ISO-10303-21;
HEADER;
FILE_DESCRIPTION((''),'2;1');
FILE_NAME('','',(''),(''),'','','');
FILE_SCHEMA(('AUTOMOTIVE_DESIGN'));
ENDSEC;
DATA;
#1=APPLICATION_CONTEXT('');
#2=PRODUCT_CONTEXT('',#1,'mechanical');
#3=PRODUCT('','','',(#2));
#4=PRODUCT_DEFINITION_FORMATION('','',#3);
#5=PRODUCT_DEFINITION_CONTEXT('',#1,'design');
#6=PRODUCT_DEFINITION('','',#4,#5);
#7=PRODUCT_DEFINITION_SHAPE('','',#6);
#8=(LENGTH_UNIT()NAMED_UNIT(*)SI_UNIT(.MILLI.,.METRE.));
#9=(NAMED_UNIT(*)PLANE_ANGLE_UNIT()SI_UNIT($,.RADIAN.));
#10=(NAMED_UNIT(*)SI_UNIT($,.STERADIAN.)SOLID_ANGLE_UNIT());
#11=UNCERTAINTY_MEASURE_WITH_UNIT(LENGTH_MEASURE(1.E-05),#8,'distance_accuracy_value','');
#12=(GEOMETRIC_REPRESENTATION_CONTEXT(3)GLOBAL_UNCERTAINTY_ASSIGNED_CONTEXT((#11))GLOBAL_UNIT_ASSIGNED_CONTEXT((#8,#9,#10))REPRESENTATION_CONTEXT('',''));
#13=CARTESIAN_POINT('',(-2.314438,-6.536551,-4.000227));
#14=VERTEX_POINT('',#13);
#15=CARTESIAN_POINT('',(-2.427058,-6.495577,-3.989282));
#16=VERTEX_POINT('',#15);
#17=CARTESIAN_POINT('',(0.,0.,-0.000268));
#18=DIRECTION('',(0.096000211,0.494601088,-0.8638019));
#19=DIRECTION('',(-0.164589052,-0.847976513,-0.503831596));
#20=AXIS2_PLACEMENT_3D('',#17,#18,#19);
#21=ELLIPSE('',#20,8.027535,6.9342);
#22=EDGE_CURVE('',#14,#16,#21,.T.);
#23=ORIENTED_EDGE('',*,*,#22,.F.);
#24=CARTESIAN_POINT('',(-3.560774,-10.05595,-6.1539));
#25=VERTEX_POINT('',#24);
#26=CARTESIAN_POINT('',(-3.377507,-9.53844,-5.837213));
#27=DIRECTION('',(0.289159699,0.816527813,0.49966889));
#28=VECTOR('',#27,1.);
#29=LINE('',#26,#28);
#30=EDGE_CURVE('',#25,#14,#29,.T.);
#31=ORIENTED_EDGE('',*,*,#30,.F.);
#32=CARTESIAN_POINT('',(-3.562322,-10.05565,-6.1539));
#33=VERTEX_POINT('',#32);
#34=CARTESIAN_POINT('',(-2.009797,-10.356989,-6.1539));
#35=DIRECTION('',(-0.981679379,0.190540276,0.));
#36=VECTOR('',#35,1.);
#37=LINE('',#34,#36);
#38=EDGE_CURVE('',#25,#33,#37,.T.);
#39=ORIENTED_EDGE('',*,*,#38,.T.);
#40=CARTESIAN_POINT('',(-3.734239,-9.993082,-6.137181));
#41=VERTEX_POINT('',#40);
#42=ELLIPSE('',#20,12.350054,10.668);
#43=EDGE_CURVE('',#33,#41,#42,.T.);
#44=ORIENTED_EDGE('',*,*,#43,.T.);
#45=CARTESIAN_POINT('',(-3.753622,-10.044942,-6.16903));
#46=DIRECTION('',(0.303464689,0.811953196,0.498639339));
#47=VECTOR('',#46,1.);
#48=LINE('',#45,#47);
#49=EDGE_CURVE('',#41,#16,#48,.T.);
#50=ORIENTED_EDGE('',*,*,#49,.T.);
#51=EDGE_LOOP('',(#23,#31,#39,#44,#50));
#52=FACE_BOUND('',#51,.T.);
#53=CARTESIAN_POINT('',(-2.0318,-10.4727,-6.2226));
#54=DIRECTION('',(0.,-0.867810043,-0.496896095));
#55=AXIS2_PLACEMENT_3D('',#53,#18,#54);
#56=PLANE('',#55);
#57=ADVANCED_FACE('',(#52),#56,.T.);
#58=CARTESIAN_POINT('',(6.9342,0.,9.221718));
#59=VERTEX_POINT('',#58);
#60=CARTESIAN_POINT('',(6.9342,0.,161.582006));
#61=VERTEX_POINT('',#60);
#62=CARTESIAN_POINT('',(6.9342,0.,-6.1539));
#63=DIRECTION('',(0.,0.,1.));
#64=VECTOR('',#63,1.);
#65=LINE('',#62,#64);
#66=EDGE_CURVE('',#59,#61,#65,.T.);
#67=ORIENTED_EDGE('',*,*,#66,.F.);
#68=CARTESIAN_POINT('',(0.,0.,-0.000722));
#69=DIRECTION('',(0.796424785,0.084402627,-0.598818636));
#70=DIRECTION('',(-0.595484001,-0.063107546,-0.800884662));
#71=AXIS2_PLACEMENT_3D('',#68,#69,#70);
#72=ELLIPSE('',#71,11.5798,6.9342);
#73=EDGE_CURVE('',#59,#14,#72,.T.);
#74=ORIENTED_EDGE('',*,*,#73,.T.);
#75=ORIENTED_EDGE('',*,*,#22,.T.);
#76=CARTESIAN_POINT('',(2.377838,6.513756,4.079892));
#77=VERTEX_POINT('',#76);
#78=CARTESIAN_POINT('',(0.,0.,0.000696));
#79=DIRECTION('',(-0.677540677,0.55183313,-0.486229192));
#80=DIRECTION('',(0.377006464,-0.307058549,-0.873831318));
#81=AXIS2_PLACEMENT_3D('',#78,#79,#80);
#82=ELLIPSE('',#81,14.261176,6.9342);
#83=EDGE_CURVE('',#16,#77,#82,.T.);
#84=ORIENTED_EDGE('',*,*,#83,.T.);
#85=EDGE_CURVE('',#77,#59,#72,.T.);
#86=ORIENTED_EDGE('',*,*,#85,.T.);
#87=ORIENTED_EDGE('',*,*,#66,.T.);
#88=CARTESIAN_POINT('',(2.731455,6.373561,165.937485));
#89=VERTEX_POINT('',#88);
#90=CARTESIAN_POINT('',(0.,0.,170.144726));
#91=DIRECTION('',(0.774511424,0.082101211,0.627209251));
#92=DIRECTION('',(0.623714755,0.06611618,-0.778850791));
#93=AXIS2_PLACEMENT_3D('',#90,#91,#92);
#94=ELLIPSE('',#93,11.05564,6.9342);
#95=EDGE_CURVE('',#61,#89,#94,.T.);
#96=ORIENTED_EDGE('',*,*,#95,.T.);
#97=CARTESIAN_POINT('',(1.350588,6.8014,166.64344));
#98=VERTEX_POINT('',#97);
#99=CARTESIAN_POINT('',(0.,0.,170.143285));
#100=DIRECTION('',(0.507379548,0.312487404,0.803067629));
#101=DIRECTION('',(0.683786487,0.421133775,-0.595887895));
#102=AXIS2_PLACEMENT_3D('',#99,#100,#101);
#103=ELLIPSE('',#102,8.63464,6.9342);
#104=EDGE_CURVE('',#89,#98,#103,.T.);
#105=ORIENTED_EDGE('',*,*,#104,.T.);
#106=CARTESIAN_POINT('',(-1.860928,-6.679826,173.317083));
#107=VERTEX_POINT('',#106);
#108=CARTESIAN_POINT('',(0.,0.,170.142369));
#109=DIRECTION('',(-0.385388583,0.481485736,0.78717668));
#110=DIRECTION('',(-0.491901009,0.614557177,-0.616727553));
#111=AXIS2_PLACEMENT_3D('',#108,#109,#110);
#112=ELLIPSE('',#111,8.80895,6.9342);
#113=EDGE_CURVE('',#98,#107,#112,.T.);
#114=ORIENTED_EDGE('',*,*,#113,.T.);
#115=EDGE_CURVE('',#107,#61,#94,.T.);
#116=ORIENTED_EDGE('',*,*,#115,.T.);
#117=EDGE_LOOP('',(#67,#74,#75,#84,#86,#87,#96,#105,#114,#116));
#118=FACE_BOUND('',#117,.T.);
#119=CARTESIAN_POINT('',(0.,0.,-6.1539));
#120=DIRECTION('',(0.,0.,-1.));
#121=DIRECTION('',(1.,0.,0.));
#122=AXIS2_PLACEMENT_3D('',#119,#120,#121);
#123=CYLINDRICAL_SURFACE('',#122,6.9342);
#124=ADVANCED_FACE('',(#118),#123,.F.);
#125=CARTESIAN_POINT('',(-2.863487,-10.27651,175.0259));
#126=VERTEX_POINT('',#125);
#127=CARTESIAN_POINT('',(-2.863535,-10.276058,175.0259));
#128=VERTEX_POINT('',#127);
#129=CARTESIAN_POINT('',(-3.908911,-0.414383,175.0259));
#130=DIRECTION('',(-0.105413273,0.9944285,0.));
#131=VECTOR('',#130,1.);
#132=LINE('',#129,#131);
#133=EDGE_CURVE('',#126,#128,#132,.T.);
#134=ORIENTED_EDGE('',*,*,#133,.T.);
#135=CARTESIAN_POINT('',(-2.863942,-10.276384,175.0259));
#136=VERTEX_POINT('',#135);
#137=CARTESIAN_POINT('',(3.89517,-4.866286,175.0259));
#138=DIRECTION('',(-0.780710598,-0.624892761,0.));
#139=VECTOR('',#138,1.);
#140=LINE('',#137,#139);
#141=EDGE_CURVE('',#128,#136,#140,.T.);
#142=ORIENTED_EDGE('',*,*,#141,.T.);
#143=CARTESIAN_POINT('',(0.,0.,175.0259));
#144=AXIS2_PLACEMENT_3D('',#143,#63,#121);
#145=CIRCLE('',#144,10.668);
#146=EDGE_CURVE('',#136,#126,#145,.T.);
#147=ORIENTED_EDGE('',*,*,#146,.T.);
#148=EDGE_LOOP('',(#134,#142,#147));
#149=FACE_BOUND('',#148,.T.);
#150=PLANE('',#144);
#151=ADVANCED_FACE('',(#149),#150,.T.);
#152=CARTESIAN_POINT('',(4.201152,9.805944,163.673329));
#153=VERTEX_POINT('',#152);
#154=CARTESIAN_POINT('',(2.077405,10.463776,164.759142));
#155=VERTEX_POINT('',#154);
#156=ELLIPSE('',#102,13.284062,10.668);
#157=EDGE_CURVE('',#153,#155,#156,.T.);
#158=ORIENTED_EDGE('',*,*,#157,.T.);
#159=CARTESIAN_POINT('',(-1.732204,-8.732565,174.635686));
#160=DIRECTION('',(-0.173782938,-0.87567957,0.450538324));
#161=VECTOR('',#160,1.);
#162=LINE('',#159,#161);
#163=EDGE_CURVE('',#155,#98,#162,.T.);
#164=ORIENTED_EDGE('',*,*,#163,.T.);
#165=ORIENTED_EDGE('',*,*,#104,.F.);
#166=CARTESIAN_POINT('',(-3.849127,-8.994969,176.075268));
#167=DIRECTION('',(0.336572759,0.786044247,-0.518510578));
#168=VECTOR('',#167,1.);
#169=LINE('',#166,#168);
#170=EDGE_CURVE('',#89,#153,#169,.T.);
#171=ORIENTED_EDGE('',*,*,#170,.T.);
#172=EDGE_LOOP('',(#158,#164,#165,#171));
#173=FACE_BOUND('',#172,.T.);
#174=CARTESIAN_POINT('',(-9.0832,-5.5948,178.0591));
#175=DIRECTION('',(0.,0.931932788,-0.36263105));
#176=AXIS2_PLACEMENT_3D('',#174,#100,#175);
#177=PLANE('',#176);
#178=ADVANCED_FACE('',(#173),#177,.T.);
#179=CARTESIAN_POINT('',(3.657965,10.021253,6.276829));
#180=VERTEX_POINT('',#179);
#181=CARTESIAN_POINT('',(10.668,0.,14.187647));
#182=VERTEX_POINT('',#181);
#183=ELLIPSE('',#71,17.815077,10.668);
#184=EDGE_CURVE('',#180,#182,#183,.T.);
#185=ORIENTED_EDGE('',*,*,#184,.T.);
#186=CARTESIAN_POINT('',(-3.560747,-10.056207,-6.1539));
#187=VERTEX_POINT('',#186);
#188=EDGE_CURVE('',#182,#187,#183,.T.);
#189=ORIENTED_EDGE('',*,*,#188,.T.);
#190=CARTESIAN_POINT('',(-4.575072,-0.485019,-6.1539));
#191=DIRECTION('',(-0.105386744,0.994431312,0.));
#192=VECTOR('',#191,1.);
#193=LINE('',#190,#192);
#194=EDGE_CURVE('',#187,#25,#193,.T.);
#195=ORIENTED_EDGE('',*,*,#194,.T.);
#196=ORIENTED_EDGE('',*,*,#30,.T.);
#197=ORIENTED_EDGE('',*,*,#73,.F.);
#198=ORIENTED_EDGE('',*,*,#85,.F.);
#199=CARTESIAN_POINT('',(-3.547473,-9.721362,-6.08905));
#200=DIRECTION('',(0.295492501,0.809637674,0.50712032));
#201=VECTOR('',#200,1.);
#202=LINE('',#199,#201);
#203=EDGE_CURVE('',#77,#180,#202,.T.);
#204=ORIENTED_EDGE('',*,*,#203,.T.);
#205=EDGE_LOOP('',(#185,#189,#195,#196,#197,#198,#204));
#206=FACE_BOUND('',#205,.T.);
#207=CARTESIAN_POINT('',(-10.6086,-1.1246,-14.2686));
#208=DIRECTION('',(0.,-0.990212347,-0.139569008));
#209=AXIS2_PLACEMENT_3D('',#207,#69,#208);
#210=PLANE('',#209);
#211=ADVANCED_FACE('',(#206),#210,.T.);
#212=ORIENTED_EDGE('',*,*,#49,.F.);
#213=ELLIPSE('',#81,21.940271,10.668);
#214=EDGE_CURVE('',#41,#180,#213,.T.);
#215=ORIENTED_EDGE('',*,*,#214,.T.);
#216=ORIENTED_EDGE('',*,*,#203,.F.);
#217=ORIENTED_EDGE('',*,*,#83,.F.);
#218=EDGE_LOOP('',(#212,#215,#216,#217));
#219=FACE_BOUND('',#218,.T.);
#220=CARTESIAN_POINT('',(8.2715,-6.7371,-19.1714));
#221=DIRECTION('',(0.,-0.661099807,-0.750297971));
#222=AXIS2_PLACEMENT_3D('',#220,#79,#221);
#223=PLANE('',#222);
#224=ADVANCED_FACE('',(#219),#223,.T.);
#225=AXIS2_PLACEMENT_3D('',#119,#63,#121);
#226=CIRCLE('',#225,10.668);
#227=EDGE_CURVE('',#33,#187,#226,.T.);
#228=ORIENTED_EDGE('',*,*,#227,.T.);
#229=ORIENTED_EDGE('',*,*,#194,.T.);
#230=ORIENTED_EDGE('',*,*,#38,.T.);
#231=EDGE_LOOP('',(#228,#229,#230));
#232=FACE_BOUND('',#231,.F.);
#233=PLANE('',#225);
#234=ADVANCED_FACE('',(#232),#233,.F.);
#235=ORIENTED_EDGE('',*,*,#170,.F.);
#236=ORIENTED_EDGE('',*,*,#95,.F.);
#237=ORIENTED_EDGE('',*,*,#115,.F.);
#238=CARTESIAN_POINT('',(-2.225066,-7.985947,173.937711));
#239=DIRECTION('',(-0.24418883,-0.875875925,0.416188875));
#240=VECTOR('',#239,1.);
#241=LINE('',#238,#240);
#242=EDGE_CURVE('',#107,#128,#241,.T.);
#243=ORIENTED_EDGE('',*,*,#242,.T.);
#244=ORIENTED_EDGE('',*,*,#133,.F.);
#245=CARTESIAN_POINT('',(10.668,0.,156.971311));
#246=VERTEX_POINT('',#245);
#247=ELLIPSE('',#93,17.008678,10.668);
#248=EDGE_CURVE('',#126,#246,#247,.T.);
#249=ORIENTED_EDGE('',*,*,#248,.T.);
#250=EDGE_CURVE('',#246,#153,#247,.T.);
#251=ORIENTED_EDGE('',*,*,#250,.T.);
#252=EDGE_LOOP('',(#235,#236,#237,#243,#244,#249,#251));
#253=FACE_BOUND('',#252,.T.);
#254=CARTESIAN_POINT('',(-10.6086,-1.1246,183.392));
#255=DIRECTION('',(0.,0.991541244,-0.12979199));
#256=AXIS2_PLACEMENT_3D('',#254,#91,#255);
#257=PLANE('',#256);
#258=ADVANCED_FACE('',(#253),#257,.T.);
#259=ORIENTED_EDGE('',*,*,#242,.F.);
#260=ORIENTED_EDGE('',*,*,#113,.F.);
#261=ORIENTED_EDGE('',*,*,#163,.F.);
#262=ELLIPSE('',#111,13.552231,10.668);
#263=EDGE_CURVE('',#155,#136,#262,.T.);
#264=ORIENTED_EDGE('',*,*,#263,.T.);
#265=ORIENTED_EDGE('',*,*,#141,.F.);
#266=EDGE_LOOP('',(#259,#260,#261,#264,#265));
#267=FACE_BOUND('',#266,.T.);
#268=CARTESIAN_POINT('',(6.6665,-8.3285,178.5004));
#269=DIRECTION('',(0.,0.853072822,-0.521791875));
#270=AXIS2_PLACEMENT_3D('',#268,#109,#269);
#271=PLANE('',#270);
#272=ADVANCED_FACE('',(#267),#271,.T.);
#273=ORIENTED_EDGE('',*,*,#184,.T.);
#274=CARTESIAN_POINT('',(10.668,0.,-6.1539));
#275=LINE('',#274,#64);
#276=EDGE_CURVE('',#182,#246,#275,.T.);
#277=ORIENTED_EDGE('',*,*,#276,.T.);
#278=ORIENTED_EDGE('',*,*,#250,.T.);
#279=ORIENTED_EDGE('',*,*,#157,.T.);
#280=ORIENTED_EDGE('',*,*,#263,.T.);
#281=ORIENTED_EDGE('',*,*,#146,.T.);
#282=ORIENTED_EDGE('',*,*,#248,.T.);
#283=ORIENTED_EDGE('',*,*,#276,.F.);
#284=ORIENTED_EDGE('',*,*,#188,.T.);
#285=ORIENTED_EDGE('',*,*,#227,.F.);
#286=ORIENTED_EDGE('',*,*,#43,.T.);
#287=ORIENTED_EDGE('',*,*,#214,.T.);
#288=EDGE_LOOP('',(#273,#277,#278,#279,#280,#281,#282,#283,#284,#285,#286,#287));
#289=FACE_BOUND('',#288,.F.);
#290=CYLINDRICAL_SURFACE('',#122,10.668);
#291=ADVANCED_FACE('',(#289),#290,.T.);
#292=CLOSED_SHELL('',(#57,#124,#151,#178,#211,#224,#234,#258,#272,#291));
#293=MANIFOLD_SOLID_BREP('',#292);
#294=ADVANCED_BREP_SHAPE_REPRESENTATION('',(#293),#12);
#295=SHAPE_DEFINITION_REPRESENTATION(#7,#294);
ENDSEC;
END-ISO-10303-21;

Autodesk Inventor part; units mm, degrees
ref_plane "Start Plane" through (0, 0, -6.1539) normal (0, 0, 1) x (1, 0, 0)
ref_plane "End Plane" through (0, 0, 175.0259) normal (0, 0, 1) x (1, 0, 0)
sketch "Sketch" plane through (0, 0, 0) normal (0, 0, 1) x (1, 0, 0)
  circle A0 centre (0, 0) radius 6.9342
  circle A1 centre (0, 0) radius 10.668
  dimension "d0" = 21.336
  dimension "d1" = 3.7338
extrude "Body" add sketch "Sketch" along normal up to surface (181.1798 mm away) from surface at -6.1539
sketch "Sketch3" plane through (0, 0, 0) normal (0, 0, 1) x (1, 0, 0)
  line L0 (0, 0) -> (10, 0)
ref_plane "Work Plane3" through (0, 0, 0) normal (0, -1, 0) x (1, 0, 0)
sketch "Sketch4" plane through (0, 0, 0) normal (0, -1, 0) x (1, 0, 0)
  line L0 (-2, -6.1539) -> (12, -6.1539)
  line L1 (-2, 175.0259) -> (12, 175.0259)
  dimension "d7" = 181.1798
ref_plane "Work Plane4" through (-10.6086, -1.1246, -14.2686) normal (0.7964, 0.0844, -0.5988) x (-0.581, -0.1676, -0.7964)
split "Split1" plane through (-10.6086, -1.1246, -14.2686) removes the side toward (0.7964, 0.0844, -0.5988)
ref_plane "Work Plane5" through (-2.0318, -10.4727, -6.2226) normal (0.096, 0.4946, -0.8638) x (0.9324, -0.3485, -0.096)
split "Split2" plane through (-2.0318, -10.4727, -6.2226) removes the side toward (0.096, 0.4946, -0.8638)
ref_plane "Work Plane6" through (8.2715, -6.7371, -19.1714) normal (-0.6775, 0.5518, -0.4862) x (0.1065, 0.7277, 0.6775)
split "Split3" plane through (8.2715, -6.7371, -19.1714) removes the side toward (-0.6775, 0.5518, -0.4862)
ref_plane "Work Plane7" through (-9.0832, -5.5948, 178.0591) normal (0.5074, 0.3125, 0.8031) x (0.8572, -0.0879, -0.5074)
split "Split4" plane through (-9.0832, -5.5948, 178.0591) removes the side toward (0.5074, 0.3125, 0.8031)
ref_plane "Work Plane8" through (-10.6086, -1.1246, 183.392) normal (0.7745, 0.0821, 0.6272) x (0.6313, -0.0391, -0.7745)
split "Split5" plane through (-10.6086, -1.1246, 183.392) removes the side toward (0.7745, 0.0821, 0.6272)
ref_plane "Work Plane9" through (6.6665, -8.3285, 178.5004) normal (-0.3854, 0.4815, 0.7872) x (0.9169, 0.1038, 0.3854)
split "Split6" plane through (6.6665, -8.3285, 178.5004) removes the side toward (-0.3854, 0.4815, 0.7872)
equation "\"d0\" = G_H"
equation "\"d1\" = G_T"
equation "\"d2\" = G_L"
equation "\"G_H\" = 21.336"
equation "\"G_T\" = 3.7338"
equation "\"G_L\" = 181.17984"
equation "\"G_OFFSET_START\" = 6.15394"
equation "\"G_OFFSET_END\" = 4.88279"
equation "\"d4\" = -G_OFFSET_START"
equation "\"d5\" = G_OFFSET_END + B_L"
equation "\"B_L\" = 170.14311"
properties part number "ANSI - 1/2 x 0.147 - 7.133" material "Steel, Mild"
